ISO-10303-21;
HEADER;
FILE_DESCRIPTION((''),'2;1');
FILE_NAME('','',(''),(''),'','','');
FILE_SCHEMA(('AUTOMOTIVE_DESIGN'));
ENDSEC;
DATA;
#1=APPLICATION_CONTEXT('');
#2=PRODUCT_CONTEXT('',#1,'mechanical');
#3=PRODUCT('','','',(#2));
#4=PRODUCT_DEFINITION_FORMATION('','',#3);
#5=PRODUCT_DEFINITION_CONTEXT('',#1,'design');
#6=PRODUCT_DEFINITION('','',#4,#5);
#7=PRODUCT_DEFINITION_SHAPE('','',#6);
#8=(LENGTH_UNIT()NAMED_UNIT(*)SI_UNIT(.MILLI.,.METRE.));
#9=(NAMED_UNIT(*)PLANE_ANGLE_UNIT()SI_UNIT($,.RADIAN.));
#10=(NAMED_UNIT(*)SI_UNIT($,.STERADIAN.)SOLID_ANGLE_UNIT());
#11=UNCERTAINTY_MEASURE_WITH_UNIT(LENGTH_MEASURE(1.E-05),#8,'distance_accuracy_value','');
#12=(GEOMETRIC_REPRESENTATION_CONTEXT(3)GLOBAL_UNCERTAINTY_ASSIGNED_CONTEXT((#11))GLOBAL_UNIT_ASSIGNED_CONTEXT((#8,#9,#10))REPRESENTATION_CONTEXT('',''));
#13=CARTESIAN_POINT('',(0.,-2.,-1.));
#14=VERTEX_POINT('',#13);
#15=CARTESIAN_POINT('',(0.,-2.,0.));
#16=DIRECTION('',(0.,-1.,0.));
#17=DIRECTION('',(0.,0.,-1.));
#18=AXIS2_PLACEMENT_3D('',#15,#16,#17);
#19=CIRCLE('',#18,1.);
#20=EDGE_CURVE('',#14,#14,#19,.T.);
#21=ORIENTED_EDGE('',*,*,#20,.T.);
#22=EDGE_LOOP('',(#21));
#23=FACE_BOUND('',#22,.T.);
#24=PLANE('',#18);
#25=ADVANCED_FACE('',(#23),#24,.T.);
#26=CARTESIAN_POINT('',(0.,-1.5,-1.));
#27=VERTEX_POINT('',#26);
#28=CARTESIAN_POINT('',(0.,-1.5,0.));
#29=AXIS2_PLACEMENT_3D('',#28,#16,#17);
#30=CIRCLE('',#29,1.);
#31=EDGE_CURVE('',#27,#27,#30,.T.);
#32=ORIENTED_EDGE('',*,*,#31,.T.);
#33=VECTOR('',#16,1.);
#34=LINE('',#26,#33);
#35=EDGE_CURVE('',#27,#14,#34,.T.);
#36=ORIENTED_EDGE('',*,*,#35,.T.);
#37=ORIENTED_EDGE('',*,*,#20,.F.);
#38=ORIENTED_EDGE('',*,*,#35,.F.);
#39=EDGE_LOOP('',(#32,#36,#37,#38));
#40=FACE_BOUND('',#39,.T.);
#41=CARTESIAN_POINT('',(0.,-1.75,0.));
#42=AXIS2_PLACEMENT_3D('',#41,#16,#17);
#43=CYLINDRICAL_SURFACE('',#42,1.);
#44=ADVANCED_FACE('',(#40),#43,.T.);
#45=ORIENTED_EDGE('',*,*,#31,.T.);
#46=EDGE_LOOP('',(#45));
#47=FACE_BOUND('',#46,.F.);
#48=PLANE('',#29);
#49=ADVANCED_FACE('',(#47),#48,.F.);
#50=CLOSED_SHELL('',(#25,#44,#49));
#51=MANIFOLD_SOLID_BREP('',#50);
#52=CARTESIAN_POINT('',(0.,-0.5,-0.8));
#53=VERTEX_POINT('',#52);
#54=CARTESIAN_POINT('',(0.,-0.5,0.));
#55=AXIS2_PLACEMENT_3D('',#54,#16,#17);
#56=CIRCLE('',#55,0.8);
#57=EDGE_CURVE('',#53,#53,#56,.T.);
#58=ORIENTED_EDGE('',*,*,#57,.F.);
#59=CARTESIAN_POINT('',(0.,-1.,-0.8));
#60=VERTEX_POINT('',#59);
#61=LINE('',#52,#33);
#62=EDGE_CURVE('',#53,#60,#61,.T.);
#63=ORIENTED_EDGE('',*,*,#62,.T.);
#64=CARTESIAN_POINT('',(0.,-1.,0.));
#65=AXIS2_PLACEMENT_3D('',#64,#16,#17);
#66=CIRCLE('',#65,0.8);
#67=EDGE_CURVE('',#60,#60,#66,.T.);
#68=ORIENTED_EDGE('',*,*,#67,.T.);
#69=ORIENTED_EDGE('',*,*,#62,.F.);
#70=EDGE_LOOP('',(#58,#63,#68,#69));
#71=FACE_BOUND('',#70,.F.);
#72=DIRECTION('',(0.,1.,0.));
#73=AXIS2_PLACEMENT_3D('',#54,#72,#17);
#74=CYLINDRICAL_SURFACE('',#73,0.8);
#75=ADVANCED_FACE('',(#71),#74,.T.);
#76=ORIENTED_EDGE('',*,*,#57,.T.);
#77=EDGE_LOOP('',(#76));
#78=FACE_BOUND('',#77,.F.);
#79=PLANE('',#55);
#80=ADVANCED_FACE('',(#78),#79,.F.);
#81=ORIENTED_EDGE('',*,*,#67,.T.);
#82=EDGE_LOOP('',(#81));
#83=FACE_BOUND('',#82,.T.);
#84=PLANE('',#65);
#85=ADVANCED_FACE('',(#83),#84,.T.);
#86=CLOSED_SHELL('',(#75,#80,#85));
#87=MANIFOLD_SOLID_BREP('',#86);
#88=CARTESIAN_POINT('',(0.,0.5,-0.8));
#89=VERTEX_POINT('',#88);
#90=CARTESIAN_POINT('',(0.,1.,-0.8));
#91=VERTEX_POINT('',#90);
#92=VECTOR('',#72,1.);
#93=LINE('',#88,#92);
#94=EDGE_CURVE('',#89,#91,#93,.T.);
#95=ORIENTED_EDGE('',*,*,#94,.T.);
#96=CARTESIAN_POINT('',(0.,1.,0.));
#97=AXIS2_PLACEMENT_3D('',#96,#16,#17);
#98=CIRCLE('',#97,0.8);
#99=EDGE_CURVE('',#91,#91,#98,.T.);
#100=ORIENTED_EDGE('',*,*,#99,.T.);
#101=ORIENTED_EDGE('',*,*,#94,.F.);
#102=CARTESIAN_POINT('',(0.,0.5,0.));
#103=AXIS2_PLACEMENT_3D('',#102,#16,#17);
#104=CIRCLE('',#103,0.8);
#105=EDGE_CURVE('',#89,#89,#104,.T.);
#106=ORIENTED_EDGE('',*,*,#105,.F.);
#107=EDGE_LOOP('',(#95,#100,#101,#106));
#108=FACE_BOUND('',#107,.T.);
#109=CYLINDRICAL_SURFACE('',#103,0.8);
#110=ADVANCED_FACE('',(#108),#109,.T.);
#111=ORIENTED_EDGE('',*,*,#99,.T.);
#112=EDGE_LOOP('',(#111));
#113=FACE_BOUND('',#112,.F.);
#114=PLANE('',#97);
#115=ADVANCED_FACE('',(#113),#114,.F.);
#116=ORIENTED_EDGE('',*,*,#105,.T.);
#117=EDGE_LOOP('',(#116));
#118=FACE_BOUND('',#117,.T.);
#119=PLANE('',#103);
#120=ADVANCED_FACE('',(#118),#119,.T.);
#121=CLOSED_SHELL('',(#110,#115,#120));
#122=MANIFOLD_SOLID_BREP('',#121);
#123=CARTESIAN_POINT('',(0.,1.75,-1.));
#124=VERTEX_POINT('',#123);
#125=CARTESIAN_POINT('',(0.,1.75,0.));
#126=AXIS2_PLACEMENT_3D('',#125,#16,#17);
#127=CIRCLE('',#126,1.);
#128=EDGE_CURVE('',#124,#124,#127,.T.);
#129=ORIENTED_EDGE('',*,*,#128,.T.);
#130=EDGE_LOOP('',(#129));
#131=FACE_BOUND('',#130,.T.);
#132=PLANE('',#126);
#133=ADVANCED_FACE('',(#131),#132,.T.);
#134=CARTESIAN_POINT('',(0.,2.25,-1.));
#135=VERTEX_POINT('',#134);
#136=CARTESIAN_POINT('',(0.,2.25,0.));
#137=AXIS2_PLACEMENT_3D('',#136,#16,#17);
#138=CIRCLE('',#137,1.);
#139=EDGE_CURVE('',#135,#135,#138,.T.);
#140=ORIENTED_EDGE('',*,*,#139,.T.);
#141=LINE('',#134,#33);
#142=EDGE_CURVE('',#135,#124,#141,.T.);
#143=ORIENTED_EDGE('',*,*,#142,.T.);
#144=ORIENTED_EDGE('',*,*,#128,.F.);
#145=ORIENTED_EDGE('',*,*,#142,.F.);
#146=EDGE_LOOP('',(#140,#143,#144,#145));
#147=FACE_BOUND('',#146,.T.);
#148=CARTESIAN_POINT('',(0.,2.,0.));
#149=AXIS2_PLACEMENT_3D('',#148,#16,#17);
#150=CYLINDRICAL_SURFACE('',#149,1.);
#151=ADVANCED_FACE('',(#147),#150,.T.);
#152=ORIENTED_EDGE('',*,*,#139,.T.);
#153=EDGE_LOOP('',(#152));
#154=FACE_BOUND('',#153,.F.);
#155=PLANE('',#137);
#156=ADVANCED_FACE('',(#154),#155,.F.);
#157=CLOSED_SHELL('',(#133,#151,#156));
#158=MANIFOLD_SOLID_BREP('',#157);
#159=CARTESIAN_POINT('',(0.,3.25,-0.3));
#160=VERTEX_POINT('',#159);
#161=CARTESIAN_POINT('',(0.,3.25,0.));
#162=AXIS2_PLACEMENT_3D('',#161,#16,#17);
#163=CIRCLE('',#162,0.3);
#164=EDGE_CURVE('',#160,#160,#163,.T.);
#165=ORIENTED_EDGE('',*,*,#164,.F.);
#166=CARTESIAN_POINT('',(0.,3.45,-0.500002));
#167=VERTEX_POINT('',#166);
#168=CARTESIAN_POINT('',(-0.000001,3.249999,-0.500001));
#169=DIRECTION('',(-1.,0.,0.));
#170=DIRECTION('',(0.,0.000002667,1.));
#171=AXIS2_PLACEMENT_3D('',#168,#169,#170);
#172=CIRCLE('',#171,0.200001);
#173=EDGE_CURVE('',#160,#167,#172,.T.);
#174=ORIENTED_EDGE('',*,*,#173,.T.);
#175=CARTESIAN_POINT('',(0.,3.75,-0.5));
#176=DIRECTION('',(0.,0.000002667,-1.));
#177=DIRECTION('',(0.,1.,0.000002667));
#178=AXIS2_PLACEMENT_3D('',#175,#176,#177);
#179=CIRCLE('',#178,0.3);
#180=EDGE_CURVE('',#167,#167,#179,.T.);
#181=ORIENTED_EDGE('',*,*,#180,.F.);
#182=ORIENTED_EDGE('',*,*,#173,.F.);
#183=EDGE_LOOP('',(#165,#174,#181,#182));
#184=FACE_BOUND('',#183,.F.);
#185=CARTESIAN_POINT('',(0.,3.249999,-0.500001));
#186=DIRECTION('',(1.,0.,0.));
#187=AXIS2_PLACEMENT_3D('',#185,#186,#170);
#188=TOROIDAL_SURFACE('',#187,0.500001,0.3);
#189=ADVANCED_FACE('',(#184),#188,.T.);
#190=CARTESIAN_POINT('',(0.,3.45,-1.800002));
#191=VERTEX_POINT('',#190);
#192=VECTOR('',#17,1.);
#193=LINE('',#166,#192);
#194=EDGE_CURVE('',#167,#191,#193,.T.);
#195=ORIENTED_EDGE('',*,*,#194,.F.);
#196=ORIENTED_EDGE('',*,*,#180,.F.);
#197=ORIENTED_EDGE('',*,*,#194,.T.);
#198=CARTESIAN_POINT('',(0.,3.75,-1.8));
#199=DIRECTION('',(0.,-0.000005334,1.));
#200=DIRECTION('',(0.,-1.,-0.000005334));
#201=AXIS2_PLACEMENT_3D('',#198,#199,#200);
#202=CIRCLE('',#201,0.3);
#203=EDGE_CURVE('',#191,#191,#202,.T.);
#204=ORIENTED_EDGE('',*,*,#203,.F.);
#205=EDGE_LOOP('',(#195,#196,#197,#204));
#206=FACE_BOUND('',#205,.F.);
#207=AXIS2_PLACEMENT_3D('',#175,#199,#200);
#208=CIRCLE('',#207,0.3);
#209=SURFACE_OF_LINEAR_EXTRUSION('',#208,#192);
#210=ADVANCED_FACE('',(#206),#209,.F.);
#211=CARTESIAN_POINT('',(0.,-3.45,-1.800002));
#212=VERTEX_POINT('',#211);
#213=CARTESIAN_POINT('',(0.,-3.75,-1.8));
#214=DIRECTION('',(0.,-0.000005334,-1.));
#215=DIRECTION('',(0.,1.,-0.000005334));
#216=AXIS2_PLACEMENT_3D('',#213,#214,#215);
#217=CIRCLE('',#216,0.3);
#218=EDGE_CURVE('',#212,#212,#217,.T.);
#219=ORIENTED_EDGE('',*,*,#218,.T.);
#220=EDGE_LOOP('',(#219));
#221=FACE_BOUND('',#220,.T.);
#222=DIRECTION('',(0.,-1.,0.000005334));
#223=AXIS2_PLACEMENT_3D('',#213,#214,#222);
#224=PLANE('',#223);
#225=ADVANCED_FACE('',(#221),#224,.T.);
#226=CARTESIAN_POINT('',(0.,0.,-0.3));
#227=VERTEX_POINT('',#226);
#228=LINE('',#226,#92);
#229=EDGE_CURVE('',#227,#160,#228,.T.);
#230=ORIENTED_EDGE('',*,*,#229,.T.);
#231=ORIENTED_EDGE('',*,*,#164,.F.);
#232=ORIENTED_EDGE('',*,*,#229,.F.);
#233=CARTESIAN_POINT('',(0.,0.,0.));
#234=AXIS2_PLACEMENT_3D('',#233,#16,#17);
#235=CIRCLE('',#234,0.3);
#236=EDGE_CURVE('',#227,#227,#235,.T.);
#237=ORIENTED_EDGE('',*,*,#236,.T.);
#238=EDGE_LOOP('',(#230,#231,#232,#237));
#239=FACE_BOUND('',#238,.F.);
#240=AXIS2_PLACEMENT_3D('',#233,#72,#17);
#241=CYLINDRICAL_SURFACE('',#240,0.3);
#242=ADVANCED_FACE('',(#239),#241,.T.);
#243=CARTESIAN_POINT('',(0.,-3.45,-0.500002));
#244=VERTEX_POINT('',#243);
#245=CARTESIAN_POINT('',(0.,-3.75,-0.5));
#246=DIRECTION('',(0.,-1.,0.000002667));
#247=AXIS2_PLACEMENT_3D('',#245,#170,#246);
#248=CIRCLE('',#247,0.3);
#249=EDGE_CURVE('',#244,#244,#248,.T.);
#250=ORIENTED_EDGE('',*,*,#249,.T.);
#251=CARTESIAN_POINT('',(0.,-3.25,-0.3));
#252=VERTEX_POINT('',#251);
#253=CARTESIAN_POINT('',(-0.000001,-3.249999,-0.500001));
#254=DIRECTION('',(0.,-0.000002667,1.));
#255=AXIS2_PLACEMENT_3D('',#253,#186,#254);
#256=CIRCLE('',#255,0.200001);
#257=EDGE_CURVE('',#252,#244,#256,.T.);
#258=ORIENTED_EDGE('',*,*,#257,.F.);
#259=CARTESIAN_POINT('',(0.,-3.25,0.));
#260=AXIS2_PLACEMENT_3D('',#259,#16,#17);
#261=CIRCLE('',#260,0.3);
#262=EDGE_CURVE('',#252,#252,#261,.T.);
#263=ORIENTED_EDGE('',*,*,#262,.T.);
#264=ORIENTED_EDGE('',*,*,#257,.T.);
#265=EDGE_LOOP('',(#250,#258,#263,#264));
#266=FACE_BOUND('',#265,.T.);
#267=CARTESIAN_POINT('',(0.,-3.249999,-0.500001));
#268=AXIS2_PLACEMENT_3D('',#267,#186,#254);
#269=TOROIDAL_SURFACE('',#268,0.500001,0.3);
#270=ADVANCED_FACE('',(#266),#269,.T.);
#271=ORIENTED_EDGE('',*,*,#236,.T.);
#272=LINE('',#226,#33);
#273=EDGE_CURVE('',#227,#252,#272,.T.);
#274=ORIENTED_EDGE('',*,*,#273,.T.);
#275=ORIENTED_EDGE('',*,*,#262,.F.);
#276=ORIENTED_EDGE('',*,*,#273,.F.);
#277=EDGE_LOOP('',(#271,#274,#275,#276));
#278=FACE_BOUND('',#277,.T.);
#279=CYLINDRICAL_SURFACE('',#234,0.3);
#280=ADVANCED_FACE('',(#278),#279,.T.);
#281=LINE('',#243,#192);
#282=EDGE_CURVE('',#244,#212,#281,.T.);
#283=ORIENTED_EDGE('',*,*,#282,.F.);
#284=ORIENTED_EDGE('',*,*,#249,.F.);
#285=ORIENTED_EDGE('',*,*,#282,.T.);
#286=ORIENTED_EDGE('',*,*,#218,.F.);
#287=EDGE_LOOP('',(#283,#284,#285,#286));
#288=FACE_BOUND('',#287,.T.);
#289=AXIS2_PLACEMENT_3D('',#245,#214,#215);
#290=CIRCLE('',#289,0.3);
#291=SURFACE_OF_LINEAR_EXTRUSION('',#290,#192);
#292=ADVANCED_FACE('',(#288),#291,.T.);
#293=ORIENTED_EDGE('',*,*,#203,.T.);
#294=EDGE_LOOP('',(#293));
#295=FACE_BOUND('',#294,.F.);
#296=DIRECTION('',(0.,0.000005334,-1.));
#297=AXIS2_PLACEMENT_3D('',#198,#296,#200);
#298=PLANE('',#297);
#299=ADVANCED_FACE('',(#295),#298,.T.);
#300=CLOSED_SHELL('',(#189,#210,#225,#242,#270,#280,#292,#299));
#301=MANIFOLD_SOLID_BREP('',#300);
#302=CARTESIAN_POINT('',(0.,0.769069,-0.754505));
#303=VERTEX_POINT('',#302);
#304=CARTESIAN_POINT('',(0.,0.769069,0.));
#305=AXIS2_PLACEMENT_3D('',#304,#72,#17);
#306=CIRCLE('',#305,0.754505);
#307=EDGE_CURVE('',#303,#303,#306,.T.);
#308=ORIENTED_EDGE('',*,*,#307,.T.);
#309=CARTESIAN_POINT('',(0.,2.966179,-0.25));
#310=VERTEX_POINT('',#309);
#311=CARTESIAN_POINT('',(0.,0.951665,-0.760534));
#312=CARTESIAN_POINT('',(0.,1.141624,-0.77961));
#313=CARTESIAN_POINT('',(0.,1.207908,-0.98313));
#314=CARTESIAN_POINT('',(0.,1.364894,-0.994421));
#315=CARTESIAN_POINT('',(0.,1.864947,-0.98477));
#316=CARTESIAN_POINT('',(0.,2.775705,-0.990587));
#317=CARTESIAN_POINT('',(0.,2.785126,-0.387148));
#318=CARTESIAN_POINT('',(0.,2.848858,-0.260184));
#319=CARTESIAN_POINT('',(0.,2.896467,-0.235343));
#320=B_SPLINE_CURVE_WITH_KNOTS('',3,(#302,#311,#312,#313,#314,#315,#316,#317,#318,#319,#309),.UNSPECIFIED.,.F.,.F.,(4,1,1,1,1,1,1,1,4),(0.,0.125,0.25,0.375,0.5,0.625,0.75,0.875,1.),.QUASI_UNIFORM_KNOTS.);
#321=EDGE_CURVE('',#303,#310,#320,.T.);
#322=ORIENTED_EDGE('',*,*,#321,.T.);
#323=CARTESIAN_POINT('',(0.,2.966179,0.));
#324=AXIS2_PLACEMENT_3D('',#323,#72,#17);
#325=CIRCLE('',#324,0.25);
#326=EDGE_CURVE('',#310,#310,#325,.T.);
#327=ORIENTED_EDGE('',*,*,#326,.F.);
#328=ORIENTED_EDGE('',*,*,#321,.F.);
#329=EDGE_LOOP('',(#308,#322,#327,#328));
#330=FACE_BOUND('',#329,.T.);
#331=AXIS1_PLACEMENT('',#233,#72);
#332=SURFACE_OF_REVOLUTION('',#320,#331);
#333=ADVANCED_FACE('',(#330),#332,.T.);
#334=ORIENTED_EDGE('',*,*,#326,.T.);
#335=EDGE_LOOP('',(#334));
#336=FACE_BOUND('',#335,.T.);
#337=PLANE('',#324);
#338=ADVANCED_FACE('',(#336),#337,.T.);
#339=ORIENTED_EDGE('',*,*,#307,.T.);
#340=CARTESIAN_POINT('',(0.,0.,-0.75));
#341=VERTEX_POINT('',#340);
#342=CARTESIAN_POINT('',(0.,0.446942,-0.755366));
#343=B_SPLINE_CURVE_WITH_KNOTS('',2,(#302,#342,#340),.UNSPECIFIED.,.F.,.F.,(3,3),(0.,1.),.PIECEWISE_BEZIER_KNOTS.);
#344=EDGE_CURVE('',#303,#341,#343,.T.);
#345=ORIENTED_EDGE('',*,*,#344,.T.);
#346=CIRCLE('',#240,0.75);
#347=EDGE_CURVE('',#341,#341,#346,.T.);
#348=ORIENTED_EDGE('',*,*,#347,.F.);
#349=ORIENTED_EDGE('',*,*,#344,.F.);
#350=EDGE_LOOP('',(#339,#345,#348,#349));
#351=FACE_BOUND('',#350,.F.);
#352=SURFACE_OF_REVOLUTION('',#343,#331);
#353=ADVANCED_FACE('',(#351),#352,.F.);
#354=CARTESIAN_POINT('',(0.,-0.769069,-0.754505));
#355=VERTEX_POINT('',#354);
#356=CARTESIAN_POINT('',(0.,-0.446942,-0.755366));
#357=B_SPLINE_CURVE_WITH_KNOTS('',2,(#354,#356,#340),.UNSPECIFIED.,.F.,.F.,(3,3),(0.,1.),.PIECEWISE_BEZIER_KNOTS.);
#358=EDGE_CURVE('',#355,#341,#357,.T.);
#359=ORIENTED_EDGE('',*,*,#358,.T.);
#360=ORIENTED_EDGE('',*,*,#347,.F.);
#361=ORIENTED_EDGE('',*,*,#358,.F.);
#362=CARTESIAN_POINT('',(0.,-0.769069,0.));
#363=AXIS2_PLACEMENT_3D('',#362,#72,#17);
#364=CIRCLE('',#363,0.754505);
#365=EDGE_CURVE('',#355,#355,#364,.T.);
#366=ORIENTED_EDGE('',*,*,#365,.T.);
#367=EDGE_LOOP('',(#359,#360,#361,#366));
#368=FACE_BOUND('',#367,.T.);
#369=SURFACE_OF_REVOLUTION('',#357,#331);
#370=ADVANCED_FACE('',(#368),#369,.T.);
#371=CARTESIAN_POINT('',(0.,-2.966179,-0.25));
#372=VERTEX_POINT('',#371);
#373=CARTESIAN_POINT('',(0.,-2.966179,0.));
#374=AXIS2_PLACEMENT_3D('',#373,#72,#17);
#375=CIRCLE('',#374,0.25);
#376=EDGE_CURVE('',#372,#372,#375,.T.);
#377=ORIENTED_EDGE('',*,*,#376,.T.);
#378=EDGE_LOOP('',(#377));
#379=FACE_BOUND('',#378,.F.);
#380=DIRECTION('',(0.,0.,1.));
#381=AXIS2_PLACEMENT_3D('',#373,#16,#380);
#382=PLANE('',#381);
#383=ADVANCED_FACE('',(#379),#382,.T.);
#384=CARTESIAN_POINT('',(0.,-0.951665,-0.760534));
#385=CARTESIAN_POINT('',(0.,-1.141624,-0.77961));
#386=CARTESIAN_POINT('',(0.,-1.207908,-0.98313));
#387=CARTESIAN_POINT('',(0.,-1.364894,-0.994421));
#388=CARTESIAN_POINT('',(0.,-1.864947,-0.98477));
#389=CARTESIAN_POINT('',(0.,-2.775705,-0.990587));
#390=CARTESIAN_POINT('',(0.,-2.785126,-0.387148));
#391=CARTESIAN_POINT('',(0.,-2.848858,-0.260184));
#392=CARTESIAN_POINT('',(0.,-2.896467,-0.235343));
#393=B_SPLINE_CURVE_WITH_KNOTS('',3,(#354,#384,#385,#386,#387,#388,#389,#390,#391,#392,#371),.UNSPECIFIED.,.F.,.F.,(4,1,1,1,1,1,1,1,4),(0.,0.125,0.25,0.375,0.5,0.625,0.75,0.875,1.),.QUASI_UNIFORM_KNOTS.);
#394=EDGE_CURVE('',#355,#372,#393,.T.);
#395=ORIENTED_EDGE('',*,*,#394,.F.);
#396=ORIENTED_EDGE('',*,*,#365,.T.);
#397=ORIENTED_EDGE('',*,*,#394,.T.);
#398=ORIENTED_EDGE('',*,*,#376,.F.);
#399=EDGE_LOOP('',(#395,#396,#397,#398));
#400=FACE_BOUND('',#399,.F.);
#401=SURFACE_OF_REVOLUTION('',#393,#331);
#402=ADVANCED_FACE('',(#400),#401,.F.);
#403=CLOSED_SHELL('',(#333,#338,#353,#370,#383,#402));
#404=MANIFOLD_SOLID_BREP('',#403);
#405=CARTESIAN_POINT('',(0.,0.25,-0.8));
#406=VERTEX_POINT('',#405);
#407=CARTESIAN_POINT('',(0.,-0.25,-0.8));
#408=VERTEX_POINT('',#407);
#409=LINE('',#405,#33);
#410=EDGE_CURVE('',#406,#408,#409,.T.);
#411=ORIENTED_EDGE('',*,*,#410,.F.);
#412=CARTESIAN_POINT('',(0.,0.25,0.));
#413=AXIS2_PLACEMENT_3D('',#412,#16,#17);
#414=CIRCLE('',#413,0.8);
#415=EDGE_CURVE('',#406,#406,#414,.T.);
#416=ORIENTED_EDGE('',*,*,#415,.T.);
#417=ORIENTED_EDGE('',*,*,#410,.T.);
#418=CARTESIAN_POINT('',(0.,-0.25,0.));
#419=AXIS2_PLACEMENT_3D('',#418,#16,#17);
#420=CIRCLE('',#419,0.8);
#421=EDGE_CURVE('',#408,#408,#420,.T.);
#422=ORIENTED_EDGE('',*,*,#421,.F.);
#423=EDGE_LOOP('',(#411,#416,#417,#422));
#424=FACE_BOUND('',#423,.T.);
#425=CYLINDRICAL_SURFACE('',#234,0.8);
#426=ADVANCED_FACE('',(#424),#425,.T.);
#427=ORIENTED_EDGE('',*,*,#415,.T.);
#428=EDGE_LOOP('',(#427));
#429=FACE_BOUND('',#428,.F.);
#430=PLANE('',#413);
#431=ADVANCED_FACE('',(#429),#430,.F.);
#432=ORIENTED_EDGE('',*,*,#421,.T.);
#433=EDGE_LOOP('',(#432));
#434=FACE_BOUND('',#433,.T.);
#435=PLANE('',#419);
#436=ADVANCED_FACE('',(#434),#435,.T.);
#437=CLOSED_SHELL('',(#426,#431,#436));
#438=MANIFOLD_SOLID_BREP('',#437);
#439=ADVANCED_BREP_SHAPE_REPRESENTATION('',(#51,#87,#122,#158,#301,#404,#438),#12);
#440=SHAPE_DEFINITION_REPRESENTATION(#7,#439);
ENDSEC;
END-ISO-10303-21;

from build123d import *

# Parameters (mm, degrees)
SKETCH002_R  = 0.3
SKETCH003_R  = 1
PAD_DEPTH    = 0.25
SKETCH004_R  = 0.8
PAD001_DEPTH = 0.5
SKETCH005_R  = 0.8
PAD002_DEPTH = 0.25
SKETCH006_R  = 0.8
PAD003_DEPTH = 0.5
SKETCH007_R  = 1
PAD004_DEPTH = 0.25


with BuildPart() as body:
    # Sketch → Revolution (revolve)
    with BuildSketch(Plane(origin=(0, 0, 0), x_dir=(0, -1, 0), z_dir=(1, 0, 0))):
        with BuildLine():
            add(Edge.make_bspline(
                [(-0.769069, 0.754505), (-0.951665, 0.760534), (-1.141624, 0.77961), (-1.207908, 0.98313), (-1.364894, 0.994421), (-1.864947, 0.98477), (-2.775705, 0.990587), (-2.785126, 0.387148), (-2.848858, 0.260184), (-2.896467, 0.235343), (-2.966179, 0.25)],
                knots=[0, 0, 0, 0, 0.125, 0.25, 0.375, 0.5, 0.625, 0.75, 0.875, 1, 1, 1, 1], degree=3))
            Line((-2.966179, 0.25), (-2.966179, 0))
            Line((-2.966179, 0), (0, 0))
            Line((0, 0), (0, 0.75))
            add(Edge.make_bspline(
                [(-0.769069, 0.754505), (-0.446942, 0.755366), (0, 0.75)],
                knots=[0, 0, 0, 1, 1, 1], degree=2))
        make_face()
    revolution = revolve(axis=Axis((0, 0, 0), (0, 1, 0)))

    # Mirrored: Revolution across Sketch V_Axis
    add(revolution.mirror(Plane.XZ))


with BuildPart() as leads:
    # AdditivePipe: sweep along a path in Sketch001
    with BuildLine(Plane.YZ) as additivepipe_path:
        Line((0, 0), (-3.25, 0))
        ThreePointArc((-3.25, 0), (-3.603553, -0.146447), (-3.75, -0.5))
        Line((-3.75, -0.5), (-3.75, -1.8))
    # Sketch002 → AdditivePipe (sweep)
    with BuildSketch(Plane(origin=(0, 0, 0), x_dir=(0, 0, -1), z_dir=(0, -1, 0))):
        Circle(SKETCH002_R)
    additivepipe = sweep(path=additivepipe_path.line)

    # Mirrored001: AdditivePipe across XZ
    add(additivepipe.mirror(Plane.XZ))


with BuildPart() as body002:
    # Sketch003 → Pad (new body, symmetric)
    with BuildSketch(Plane(origin=(0, -1.75, 0), x_dir=(0, 0, -1), z_dir=(0, -1, 0))):
        Circle(SKETCH003_R)
    extrude(amount=PAD_DEPTH, both=True)


with BuildPart() as body003:
    # Sketch004 → Pad001 (new body)
    with BuildSketch(Plane(origin=(0, -0.5, 0), x_dir=(0, 0, -1), z_dir=(0, -1, 0))):
        Circle(SKETCH004_R)
    extrude(amount=PAD001_DEPTH)


with BuildPart() as body004:
    # Sketch005 → Pad002 (new body, symmetric)
    with BuildSketch(Plane(origin=(0, 0, 0), x_dir=(0, 0, -1), z_dir=(0, -1, 0))):
        Circle(SKETCH005_R)
    extrude(amount=PAD002_DEPTH, both=True)


with BuildPart() as body005:
    # Sketch006 → Pad003 (new body)
    with BuildSketch(Plane(origin=(0, 0.5, 0), x_dir=(0, 0, -1), z_dir=(0, -1, 0))):
        Circle(SKETCH006_R)
    extrude(amount=-PAD003_DEPTH)


with BuildPart() as body006:
    # Sketch007 → Pad004 (new body, symmetric)
    with BuildSketch(Plane(origin=(0, 2, 0), x_dir=(0, 0, -1), z_dir=(0, -1, 0))):
        Circle(SKETCH007_R)
    extrude(amount=PAD004_DEPTH, both=True)


solid = Compound([body.part, leads.part, body002.part, body003.part, body004.part, body005.part, body006.part])
